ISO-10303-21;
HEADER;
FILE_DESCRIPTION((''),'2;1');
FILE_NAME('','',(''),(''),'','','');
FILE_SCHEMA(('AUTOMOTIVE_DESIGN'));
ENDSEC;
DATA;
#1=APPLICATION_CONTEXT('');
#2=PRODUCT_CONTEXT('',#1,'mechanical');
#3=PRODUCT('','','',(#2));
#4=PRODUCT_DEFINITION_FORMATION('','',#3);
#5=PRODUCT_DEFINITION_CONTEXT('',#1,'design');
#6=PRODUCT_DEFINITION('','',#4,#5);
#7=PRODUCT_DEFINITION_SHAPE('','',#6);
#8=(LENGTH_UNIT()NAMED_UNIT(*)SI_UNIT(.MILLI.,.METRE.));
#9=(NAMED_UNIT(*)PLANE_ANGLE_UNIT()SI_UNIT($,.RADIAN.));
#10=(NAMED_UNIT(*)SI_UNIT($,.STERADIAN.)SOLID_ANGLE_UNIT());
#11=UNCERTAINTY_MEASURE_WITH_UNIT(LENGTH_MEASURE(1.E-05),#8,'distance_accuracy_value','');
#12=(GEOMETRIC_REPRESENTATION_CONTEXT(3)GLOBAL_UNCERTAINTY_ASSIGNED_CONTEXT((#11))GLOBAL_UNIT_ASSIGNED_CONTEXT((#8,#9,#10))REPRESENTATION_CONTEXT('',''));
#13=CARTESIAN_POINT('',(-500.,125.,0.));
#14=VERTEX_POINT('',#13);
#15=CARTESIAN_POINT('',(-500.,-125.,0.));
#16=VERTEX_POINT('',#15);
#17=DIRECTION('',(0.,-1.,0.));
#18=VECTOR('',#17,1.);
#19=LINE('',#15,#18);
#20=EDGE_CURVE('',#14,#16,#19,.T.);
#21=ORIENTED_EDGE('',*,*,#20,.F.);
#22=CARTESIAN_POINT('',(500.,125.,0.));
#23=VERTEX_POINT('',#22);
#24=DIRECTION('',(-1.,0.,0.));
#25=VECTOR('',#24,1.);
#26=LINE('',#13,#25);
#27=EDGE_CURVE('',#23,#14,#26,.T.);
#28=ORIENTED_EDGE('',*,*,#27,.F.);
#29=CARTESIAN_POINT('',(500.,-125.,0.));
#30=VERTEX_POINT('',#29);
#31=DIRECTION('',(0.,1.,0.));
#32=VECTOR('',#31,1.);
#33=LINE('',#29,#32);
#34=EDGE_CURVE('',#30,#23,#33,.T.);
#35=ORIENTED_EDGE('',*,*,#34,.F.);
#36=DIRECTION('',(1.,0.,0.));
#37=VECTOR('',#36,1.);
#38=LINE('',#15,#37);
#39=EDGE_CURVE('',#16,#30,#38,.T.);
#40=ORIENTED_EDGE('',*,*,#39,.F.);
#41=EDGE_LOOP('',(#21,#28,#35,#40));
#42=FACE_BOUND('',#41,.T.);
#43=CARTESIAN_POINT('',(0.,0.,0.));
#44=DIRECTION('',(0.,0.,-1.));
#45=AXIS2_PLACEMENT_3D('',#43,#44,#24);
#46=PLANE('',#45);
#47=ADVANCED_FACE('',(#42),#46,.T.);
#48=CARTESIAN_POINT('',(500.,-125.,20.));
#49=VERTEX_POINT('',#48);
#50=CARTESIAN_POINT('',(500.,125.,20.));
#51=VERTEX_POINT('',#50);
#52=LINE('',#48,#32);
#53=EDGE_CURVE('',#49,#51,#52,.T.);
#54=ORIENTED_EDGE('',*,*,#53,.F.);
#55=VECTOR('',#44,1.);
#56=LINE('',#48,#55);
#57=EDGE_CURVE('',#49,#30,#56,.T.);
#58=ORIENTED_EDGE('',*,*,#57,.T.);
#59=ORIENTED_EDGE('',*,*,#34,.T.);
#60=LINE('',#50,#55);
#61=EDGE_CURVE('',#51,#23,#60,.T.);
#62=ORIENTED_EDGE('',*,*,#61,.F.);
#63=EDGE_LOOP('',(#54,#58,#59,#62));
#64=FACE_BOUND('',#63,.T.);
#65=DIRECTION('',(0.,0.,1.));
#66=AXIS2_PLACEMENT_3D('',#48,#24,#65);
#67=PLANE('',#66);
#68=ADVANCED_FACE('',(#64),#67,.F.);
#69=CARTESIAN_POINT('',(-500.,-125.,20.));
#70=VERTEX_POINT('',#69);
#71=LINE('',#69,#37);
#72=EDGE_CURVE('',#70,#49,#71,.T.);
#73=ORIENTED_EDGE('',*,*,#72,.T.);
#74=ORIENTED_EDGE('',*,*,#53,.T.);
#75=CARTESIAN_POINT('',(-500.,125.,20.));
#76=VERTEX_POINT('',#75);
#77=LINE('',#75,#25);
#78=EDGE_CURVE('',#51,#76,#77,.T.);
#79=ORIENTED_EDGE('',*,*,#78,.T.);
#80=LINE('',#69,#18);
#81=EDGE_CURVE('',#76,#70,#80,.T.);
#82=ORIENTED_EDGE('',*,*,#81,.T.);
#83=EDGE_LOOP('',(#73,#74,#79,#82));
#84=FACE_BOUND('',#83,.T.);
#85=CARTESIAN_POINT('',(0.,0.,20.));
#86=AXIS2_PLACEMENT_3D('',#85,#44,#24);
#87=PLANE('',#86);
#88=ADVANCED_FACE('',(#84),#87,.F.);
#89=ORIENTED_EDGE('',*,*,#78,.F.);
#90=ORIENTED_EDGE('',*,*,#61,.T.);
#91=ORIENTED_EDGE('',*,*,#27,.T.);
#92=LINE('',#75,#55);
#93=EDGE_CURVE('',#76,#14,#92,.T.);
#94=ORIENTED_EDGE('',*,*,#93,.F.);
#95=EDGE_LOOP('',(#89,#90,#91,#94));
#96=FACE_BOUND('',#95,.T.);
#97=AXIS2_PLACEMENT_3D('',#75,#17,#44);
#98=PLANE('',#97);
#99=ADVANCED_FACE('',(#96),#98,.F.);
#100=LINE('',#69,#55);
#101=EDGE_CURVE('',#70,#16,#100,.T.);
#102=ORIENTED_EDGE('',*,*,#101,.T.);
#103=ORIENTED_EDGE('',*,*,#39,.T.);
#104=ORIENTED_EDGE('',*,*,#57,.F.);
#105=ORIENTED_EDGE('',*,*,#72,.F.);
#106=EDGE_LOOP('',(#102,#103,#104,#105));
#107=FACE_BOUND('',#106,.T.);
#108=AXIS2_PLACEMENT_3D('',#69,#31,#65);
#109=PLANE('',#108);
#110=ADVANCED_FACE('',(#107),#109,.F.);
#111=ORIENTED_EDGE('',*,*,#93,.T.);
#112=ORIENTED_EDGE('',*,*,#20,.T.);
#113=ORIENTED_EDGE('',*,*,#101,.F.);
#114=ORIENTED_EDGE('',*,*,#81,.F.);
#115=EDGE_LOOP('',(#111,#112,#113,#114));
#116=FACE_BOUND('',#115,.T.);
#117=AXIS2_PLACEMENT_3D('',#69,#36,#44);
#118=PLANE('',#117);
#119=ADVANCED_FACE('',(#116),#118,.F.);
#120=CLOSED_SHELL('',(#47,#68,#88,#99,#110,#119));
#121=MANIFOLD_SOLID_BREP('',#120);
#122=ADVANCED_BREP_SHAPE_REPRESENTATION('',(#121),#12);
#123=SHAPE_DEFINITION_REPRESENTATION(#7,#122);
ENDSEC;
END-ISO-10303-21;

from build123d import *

# Parameters (mm, degrees)
SKETCH1_W           = 1000
SKETCH1_H           = 250
BOSS_EXTRUDE1_DEPTH = 20


with BuildPart() as part:
    # Sketch1 → Boss-Extrude1 (new body)
    with BuildSketch(Plane.XY):
        Rectangle(SKETCH1_W, SKETCH1_H)
    extrude(amount=BOSS_EXTRUDE1_DEPTH)


solid = part.part
